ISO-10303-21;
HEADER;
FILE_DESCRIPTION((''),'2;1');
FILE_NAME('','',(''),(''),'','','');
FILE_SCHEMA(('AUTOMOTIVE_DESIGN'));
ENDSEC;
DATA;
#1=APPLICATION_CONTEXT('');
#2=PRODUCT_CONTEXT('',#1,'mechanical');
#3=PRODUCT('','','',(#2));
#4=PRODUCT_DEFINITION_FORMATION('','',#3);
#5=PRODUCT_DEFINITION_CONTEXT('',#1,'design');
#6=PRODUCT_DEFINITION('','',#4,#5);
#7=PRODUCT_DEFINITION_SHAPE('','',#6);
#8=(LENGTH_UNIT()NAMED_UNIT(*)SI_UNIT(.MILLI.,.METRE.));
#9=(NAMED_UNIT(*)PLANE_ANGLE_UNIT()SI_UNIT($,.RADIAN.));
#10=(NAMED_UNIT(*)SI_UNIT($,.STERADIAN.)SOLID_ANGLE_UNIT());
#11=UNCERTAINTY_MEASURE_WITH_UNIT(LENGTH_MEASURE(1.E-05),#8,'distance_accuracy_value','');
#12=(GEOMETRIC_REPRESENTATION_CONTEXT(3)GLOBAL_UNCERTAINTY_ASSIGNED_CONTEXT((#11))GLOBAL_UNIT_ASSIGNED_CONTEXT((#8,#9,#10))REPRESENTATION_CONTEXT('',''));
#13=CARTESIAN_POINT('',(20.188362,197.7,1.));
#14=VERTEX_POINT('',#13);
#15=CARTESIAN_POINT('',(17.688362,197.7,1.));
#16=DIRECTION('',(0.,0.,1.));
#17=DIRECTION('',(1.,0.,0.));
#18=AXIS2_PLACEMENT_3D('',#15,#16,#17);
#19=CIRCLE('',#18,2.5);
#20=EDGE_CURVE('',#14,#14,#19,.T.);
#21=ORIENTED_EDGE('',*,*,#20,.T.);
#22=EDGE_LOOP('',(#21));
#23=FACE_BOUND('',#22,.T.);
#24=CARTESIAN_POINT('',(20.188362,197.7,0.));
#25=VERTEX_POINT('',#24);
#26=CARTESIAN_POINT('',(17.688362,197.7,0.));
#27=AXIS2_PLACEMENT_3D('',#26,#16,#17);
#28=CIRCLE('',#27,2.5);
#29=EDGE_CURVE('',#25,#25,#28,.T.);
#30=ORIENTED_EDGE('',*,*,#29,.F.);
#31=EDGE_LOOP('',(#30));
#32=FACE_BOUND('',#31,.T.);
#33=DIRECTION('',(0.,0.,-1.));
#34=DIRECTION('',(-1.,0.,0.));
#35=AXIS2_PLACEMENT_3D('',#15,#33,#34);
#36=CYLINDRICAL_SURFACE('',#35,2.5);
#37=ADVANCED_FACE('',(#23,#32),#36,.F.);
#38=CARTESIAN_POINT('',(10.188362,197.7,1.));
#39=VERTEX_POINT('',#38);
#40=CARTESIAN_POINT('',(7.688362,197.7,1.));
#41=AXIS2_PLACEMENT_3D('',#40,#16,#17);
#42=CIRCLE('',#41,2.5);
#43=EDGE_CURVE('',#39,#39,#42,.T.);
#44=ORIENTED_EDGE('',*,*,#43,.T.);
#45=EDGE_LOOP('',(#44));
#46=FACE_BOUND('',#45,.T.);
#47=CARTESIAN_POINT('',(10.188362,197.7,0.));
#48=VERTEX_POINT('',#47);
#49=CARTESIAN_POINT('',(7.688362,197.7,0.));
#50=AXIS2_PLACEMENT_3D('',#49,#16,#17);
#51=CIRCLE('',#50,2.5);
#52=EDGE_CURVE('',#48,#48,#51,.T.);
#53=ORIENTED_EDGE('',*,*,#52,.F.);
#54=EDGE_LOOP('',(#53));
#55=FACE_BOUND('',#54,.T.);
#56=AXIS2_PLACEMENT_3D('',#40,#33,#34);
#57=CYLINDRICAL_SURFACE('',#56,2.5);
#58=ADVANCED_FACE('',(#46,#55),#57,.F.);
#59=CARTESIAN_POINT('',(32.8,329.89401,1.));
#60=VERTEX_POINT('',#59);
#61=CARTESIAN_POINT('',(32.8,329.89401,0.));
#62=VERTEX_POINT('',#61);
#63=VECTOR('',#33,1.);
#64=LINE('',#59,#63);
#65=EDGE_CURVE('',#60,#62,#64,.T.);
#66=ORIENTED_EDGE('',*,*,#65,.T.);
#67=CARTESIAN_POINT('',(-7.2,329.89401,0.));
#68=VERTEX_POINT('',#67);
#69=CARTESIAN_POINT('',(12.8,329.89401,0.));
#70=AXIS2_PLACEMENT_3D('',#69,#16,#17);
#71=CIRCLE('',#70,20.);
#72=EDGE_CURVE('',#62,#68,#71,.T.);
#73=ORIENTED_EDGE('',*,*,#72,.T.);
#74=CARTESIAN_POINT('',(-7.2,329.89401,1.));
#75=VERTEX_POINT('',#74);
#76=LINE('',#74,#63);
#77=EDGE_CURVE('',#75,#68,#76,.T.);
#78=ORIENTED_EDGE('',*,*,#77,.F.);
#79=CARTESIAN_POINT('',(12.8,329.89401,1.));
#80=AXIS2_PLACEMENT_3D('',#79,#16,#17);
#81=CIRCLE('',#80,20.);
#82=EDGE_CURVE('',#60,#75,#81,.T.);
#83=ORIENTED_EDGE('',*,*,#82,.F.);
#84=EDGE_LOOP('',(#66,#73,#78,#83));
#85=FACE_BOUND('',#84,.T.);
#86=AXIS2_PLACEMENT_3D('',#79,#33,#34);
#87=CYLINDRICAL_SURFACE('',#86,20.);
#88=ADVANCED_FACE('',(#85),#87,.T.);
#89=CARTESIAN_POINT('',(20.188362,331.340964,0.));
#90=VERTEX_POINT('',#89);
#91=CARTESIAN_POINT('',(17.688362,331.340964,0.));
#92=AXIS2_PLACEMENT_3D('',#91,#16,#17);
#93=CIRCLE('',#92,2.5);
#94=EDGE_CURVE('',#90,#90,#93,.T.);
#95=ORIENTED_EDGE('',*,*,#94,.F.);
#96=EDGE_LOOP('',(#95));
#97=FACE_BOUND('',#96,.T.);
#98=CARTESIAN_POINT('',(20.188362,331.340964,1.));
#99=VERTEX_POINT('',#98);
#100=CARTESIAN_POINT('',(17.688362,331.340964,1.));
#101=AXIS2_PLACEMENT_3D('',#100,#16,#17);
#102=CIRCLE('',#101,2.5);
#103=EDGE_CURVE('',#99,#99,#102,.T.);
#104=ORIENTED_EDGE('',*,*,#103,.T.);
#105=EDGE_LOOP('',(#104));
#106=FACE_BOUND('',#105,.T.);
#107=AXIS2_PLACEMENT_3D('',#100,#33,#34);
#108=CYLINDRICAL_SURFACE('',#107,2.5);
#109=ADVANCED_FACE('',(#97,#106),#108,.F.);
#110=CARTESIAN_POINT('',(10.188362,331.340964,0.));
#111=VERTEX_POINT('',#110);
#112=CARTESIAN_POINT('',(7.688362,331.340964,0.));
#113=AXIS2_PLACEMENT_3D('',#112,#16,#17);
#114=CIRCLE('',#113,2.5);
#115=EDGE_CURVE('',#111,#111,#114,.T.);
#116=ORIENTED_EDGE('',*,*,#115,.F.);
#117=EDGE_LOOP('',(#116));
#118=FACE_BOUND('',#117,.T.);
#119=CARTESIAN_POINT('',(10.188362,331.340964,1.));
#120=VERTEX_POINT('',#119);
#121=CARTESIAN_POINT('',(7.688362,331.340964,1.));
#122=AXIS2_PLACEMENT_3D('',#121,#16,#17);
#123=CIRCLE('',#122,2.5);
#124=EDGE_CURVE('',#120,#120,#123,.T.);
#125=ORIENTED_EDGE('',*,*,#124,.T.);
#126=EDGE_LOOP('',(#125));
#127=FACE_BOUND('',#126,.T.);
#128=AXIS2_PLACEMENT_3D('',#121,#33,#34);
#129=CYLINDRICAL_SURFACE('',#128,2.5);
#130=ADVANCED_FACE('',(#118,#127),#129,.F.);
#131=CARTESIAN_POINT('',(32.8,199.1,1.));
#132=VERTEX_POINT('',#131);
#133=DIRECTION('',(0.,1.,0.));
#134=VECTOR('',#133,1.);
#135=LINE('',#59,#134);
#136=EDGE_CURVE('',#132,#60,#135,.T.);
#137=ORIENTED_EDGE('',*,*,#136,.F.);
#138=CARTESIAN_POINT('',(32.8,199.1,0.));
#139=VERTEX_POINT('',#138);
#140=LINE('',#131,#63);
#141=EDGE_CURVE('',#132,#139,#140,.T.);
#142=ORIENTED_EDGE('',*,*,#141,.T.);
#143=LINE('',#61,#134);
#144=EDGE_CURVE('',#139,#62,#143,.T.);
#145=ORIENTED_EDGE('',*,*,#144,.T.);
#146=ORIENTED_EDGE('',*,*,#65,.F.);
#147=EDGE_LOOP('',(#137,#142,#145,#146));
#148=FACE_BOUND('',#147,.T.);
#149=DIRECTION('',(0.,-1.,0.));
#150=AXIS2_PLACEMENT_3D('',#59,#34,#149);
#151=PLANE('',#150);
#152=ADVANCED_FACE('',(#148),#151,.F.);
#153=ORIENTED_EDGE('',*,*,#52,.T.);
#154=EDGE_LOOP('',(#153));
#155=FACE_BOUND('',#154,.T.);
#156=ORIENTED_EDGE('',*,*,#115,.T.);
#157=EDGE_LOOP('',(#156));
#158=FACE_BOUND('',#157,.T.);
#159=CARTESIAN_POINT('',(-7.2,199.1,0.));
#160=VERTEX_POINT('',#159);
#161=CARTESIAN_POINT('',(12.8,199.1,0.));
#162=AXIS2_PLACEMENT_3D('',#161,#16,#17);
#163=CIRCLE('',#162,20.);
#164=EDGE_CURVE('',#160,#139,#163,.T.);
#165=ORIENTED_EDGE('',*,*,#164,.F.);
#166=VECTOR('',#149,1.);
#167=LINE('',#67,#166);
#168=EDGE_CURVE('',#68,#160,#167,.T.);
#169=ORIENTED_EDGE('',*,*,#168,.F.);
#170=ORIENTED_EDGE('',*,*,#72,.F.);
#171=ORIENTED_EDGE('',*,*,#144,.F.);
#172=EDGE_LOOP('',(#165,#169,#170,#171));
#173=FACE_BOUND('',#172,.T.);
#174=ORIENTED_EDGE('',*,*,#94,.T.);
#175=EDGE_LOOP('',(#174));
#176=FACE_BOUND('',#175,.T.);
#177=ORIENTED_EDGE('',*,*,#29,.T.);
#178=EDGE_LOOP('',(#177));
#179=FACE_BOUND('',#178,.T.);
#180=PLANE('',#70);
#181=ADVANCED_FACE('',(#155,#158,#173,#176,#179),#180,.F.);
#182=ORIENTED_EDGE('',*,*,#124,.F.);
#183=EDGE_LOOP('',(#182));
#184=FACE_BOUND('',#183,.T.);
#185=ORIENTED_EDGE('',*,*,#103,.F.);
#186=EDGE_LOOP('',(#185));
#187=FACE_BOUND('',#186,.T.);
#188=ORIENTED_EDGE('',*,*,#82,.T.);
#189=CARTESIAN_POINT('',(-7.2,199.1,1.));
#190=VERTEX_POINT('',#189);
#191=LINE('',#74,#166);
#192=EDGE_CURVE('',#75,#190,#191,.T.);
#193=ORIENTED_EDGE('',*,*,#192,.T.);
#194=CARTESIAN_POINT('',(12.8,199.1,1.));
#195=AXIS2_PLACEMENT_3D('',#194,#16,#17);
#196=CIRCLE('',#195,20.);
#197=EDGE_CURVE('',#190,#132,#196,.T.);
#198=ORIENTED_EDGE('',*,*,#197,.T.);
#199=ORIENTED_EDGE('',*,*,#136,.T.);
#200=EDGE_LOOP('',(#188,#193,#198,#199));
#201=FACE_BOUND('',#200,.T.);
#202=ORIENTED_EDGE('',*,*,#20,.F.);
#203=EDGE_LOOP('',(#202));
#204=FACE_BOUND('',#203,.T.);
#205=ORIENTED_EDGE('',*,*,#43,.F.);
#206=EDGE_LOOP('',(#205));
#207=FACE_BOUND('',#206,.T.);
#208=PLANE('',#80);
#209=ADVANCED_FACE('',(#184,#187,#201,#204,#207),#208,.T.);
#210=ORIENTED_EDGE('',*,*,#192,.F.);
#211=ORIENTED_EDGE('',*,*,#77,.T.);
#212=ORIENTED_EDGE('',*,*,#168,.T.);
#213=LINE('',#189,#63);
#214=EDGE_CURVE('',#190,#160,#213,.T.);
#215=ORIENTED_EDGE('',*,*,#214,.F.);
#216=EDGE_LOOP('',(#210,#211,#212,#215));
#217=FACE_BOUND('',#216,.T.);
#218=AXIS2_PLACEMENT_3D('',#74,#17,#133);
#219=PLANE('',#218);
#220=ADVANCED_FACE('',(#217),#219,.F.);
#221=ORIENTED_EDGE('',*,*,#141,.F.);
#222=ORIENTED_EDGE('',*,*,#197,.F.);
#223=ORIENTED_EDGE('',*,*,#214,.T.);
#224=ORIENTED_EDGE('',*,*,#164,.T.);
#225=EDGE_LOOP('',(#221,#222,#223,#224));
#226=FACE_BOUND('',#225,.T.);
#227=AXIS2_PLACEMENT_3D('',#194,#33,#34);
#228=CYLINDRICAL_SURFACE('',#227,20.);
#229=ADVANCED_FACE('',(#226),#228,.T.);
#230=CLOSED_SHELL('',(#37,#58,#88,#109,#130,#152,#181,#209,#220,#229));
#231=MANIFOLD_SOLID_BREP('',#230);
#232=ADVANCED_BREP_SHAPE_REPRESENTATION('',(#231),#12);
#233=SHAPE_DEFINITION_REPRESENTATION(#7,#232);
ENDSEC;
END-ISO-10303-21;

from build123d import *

# Parameters (mm, degrees)
SKETCH1_R           = 2.5
BOSS_EXTRUDE1_DEPTH = 1


with BuildPart() as part:
    # Sketch1 → Boss-Extrude1 (new body)
    with BuildSketch(Plane.XY):
        with BuildLine():
            Line((32.8, 329.894009777), (32.8, 199.1))
            ThreePointArc((32.8, 199.1), (12.8, 179.1), (-7.2, 199.1))
            Line((-7.2, 199.1), (-7.2, 329.894009777))
            ThreePointArc((-7.2, 329.894009777), (12.8, 349.894009777), (32.8, 329.894009777))
        make_face()
        with Locations((17.688362464, 331.340963798)):
            Circle(SKETCH1_R, mode=Mode.SUBTRACT)
        with Locations((7.688362464, 331.340963798)):
            Circle(SKETCH1_R, mode=Mode.SUBTRACT)
        with Locations((17.688362464, 197.7)):
            Circle(SKETCH1_R, mode=Mode.SUBTRACT)
        with Locations((7.688362464, 197.7)):
            Circle(SKETCH1_R, mode=Mode.SUBTRACT)
    extrude(amount=BOSS_EXTRUDE1_DEPTH)


solid = part.part
